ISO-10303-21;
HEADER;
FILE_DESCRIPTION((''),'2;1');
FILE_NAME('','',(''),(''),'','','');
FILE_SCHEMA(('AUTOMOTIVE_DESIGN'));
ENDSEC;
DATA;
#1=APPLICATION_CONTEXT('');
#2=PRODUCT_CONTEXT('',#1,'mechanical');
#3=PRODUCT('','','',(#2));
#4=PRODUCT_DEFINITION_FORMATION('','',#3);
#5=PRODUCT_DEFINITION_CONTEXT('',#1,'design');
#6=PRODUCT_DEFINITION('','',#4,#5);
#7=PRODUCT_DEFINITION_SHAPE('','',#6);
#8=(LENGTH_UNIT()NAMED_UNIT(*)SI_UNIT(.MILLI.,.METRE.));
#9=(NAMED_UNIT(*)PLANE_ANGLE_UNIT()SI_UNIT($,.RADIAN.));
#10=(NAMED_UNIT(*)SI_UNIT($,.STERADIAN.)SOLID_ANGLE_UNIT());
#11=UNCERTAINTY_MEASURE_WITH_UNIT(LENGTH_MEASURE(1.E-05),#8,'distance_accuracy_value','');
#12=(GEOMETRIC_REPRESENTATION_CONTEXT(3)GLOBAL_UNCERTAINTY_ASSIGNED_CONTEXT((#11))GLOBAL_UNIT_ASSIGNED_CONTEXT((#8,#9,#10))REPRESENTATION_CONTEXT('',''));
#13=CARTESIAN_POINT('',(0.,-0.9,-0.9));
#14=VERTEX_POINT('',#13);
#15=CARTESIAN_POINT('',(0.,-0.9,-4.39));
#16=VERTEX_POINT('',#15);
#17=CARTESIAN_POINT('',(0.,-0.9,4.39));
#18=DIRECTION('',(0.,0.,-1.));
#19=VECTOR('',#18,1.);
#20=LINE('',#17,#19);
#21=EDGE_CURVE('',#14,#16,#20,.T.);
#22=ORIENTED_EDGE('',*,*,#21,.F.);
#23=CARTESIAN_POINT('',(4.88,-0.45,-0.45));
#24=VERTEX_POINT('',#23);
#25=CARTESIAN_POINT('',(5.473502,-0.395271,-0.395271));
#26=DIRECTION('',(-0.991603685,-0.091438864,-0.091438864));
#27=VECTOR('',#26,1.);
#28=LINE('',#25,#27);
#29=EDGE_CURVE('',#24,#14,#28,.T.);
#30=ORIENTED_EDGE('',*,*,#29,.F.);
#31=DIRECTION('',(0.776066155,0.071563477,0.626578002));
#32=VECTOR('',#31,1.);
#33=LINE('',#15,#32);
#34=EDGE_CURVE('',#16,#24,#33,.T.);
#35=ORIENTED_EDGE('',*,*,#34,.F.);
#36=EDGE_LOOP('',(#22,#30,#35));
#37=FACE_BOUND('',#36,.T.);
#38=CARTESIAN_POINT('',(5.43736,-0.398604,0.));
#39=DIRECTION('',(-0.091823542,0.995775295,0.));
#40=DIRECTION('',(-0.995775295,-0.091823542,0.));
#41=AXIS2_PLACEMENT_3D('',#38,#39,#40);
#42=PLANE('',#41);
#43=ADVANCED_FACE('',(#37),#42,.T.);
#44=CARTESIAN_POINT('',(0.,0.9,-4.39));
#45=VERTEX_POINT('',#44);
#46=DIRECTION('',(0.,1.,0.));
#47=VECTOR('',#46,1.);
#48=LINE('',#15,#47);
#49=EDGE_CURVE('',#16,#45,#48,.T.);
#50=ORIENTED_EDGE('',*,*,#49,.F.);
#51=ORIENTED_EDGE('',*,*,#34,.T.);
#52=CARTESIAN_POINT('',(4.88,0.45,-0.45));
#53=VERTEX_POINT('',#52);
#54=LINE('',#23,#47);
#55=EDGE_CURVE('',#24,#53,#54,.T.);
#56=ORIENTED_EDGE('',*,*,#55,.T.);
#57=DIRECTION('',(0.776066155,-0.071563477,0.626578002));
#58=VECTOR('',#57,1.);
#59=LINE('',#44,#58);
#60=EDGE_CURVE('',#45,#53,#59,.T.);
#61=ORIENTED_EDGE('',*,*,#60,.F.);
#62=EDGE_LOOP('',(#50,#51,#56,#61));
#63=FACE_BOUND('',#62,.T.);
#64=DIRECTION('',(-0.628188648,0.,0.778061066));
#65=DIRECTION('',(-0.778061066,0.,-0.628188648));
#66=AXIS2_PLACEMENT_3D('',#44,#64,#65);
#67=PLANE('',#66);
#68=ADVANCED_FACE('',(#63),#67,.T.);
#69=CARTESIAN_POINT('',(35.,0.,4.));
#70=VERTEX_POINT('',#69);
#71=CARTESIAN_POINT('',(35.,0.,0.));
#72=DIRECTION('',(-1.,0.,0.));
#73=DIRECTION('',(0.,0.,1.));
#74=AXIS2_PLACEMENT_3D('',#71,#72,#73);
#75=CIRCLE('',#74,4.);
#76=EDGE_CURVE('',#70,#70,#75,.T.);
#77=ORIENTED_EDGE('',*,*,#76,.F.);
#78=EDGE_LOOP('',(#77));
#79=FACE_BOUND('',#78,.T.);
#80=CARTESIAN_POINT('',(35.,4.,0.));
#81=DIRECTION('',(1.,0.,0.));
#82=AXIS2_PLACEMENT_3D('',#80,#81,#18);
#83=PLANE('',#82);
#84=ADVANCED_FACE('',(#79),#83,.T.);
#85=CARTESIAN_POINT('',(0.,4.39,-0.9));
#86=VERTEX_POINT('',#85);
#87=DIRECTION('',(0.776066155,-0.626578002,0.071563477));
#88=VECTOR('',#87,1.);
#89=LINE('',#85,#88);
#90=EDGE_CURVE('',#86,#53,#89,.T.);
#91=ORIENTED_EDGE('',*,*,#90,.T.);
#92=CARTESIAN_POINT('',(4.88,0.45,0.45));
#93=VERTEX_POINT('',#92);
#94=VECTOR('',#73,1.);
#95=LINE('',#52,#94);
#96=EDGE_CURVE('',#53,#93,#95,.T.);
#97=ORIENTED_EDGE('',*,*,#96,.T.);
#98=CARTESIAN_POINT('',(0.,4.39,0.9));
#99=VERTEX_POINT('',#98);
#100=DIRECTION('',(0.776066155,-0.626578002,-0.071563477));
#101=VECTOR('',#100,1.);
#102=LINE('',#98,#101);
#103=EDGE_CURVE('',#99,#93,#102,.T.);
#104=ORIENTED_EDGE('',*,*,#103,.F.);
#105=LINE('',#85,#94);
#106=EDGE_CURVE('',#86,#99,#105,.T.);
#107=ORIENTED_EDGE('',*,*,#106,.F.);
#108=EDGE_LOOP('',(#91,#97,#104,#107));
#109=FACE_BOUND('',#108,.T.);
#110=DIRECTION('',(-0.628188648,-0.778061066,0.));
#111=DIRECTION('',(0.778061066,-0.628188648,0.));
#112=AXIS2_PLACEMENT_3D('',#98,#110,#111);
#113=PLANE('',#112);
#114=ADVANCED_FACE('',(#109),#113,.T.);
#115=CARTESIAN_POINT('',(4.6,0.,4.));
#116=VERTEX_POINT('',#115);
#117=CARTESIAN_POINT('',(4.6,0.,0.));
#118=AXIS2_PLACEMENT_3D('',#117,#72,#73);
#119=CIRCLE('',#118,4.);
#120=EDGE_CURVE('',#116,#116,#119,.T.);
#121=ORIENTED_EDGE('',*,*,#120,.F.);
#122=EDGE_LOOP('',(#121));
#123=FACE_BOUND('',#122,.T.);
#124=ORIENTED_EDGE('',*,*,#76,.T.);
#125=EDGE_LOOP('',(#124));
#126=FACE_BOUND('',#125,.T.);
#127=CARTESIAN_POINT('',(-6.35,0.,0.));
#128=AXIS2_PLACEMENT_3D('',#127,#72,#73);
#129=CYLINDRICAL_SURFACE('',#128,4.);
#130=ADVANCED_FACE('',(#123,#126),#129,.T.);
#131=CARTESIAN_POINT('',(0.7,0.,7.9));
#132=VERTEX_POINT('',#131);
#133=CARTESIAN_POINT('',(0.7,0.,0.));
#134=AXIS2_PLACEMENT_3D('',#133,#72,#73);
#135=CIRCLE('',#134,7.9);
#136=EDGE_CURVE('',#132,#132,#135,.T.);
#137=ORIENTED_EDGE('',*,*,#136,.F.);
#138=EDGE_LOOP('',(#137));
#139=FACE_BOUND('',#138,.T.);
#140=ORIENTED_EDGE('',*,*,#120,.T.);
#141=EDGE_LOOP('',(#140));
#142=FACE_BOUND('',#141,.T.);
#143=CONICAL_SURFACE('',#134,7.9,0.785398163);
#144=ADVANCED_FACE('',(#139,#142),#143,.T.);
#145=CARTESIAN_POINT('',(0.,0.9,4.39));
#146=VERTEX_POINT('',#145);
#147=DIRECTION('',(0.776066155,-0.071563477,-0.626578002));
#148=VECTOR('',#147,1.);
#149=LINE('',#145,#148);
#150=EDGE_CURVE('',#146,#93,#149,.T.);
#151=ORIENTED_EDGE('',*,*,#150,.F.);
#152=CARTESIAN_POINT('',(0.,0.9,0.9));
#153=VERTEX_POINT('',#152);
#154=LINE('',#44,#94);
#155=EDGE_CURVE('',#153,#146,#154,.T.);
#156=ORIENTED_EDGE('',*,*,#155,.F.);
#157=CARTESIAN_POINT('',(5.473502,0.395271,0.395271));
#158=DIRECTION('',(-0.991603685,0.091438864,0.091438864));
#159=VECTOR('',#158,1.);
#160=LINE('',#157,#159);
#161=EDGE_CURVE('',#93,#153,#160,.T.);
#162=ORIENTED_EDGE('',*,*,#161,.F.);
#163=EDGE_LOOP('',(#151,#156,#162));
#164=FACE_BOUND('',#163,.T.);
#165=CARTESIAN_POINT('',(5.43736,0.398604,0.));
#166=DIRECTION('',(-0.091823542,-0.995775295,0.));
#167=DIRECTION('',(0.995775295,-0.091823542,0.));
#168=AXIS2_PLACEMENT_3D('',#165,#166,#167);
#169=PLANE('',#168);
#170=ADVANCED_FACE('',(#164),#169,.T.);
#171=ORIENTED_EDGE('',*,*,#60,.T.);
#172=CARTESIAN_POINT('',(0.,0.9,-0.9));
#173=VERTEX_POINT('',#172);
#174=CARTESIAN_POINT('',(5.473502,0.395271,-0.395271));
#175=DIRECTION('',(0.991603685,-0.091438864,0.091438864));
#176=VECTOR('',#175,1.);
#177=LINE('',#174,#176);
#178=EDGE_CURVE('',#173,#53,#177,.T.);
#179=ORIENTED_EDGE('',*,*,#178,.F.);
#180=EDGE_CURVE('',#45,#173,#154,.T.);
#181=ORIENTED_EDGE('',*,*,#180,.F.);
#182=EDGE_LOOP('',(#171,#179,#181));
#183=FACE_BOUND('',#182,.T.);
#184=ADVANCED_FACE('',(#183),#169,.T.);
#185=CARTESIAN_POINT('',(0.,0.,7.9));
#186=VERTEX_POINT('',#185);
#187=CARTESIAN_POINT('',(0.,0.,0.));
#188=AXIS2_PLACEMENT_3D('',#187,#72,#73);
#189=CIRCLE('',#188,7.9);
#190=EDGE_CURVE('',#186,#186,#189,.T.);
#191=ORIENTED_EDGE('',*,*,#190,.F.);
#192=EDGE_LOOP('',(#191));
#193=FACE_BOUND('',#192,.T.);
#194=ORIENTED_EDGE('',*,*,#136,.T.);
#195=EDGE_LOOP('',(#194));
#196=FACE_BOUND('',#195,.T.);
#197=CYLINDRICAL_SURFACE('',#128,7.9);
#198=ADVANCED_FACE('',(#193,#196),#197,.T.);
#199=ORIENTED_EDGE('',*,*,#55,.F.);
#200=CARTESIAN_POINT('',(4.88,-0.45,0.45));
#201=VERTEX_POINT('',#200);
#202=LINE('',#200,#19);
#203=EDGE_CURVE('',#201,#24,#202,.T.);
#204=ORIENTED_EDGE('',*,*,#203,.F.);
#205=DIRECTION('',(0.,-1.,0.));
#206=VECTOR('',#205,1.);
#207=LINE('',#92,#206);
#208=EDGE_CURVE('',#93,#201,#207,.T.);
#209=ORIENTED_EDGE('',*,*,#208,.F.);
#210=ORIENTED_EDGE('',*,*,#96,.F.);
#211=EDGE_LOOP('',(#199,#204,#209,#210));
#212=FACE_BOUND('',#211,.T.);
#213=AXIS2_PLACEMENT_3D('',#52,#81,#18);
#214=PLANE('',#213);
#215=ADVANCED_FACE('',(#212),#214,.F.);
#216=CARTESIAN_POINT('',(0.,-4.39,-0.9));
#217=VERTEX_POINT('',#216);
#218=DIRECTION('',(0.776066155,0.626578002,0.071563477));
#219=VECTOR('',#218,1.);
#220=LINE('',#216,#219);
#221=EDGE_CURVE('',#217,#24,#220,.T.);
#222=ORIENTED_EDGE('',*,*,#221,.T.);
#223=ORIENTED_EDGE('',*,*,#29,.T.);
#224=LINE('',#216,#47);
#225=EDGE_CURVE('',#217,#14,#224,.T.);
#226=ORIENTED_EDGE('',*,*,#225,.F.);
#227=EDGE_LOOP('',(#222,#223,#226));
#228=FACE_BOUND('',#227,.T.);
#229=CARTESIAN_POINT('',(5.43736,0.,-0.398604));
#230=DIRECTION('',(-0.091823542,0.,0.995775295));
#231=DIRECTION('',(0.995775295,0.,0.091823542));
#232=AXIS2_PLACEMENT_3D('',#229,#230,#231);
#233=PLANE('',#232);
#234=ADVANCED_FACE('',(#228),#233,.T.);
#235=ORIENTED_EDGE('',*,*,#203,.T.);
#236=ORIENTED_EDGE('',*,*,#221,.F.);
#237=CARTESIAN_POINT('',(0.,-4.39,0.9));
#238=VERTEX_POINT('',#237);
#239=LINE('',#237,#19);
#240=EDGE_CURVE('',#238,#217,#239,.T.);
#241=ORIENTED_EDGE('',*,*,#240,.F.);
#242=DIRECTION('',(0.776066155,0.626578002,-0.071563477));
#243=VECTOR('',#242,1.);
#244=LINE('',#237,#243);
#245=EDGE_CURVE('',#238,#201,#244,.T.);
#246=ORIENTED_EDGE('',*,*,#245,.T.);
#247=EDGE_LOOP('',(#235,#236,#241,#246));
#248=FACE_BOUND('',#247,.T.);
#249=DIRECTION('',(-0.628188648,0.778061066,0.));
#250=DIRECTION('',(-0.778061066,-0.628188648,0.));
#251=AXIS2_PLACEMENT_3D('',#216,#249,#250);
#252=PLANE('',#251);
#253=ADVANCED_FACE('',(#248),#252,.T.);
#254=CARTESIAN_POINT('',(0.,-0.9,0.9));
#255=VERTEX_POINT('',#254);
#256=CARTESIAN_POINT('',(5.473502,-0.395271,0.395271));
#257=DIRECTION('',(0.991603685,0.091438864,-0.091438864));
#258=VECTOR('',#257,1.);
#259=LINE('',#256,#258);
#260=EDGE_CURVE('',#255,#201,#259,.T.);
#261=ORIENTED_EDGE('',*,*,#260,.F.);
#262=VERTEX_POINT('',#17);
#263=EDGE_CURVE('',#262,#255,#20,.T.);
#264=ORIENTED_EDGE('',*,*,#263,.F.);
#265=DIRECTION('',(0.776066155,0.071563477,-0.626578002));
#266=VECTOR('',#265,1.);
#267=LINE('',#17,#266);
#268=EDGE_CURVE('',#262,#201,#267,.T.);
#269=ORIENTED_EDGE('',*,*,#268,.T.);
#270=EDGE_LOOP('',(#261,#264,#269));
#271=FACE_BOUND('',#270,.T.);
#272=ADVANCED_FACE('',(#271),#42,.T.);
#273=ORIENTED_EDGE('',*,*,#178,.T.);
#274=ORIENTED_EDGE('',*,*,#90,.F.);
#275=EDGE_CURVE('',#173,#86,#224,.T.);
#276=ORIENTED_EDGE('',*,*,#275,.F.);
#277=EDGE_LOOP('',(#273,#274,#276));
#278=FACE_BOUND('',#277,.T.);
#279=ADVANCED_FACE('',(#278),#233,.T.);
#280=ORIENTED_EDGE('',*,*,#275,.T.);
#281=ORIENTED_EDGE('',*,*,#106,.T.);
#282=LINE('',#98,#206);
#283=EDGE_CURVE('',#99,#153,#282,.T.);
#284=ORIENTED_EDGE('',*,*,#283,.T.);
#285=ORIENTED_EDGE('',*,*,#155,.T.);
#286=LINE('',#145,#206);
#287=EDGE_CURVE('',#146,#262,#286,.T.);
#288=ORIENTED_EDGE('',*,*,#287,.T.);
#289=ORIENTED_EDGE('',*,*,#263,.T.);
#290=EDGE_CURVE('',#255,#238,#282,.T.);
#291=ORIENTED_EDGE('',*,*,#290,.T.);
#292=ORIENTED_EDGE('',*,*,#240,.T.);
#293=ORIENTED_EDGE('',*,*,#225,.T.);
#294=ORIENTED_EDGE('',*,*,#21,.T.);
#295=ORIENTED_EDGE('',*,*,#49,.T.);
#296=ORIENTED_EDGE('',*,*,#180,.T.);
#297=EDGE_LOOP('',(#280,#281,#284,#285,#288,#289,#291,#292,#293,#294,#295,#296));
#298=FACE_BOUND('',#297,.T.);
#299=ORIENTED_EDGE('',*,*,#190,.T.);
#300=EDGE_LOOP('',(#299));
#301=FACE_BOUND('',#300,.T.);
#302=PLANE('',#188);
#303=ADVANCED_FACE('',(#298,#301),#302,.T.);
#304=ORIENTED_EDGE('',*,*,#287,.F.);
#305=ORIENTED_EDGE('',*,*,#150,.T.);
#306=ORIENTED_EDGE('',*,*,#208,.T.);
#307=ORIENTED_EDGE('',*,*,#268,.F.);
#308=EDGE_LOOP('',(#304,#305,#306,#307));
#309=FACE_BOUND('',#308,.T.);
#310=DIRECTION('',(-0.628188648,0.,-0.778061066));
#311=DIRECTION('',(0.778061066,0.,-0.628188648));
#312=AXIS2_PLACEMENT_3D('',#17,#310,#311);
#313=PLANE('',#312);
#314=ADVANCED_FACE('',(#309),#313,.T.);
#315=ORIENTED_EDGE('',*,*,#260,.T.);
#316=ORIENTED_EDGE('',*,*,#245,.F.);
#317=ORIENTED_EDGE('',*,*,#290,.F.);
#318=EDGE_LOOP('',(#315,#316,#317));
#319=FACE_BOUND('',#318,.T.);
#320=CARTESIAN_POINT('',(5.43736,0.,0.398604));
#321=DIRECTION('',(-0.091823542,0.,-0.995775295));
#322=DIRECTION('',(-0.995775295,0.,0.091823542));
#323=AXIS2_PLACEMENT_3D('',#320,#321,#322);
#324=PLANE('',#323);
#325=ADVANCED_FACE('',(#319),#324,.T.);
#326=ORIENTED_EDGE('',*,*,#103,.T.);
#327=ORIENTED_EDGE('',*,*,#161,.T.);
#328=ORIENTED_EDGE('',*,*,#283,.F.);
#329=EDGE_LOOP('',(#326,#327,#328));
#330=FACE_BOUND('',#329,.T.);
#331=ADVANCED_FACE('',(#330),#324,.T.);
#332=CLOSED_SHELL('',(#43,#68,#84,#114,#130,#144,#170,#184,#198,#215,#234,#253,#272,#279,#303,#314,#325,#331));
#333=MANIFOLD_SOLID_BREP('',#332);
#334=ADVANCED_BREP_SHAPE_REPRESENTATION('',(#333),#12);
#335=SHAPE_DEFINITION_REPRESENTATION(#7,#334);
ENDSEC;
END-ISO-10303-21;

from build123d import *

# Parameters (mm, degrees)
CIRPATTERN1_COUNT = 2
CIRPATTERN1_ANGLE = 90


with BuildPart() as part:
    # BodySke → Base-Revolve (revolve)
    with BuildSketch(Plane.XY, mode=Mode.PRIVATE) as base_revolve_sk:
        Polygon((0, 0), (0, 7.9), (0.7, 7.9), (4.6, 4), (35, 4), (35, 0), align=None)
    revolve(base_revolve_sk.sketch.rotate(Axis((-6.35, 0, 0), (1, 0, 0)), 90), axis=Axis((-6.35, 0, 0), (1, 0, 0)))

    # Sketch3 → Cross section 0
    with BuildSketch(Plane.ZY):
        with BuildLine():
            Line((-0.9, 4.39), (0.9, 4.39))
            Line((0.9, 4.39), (0.9, -4.39))
            Line((0.9, -4.39), (-0.9, -4.39))
            Line((-0.9, -4.39), (-0.9, 4.39))
        make_face()
    # Sketch4 → Cross section 1
    with BuildSketch(Plane.ZY.offset(-4.88)):
        with BuildLine():
            Line((-0.45, 0.45), (0.45, 0.45))
            Line((0.45, 0.45), (0.45, -0.45))
            Line((0.45, -0.45), (-0.45, -0.45))
            Line((-0.45, -0.45), (-0.45, 0.45))
        make_face()
    cross = loft(mode=Mode.SUBTRACT)

    # CirPattern1: Cross ×2 about axis
    cirpattern1_axis = Axis((0, 0, 0), (1, 0, 0))
    for i in range(1, CIRPATTERN1_COUNT):
        add(cross.rotate(cirpattern1_axis, i * CIRPATTERN1_ANGLE / (CIRPATTERN1_COUNT - 1)), mode=Mode.SUBTRACT)


solid = part.part
